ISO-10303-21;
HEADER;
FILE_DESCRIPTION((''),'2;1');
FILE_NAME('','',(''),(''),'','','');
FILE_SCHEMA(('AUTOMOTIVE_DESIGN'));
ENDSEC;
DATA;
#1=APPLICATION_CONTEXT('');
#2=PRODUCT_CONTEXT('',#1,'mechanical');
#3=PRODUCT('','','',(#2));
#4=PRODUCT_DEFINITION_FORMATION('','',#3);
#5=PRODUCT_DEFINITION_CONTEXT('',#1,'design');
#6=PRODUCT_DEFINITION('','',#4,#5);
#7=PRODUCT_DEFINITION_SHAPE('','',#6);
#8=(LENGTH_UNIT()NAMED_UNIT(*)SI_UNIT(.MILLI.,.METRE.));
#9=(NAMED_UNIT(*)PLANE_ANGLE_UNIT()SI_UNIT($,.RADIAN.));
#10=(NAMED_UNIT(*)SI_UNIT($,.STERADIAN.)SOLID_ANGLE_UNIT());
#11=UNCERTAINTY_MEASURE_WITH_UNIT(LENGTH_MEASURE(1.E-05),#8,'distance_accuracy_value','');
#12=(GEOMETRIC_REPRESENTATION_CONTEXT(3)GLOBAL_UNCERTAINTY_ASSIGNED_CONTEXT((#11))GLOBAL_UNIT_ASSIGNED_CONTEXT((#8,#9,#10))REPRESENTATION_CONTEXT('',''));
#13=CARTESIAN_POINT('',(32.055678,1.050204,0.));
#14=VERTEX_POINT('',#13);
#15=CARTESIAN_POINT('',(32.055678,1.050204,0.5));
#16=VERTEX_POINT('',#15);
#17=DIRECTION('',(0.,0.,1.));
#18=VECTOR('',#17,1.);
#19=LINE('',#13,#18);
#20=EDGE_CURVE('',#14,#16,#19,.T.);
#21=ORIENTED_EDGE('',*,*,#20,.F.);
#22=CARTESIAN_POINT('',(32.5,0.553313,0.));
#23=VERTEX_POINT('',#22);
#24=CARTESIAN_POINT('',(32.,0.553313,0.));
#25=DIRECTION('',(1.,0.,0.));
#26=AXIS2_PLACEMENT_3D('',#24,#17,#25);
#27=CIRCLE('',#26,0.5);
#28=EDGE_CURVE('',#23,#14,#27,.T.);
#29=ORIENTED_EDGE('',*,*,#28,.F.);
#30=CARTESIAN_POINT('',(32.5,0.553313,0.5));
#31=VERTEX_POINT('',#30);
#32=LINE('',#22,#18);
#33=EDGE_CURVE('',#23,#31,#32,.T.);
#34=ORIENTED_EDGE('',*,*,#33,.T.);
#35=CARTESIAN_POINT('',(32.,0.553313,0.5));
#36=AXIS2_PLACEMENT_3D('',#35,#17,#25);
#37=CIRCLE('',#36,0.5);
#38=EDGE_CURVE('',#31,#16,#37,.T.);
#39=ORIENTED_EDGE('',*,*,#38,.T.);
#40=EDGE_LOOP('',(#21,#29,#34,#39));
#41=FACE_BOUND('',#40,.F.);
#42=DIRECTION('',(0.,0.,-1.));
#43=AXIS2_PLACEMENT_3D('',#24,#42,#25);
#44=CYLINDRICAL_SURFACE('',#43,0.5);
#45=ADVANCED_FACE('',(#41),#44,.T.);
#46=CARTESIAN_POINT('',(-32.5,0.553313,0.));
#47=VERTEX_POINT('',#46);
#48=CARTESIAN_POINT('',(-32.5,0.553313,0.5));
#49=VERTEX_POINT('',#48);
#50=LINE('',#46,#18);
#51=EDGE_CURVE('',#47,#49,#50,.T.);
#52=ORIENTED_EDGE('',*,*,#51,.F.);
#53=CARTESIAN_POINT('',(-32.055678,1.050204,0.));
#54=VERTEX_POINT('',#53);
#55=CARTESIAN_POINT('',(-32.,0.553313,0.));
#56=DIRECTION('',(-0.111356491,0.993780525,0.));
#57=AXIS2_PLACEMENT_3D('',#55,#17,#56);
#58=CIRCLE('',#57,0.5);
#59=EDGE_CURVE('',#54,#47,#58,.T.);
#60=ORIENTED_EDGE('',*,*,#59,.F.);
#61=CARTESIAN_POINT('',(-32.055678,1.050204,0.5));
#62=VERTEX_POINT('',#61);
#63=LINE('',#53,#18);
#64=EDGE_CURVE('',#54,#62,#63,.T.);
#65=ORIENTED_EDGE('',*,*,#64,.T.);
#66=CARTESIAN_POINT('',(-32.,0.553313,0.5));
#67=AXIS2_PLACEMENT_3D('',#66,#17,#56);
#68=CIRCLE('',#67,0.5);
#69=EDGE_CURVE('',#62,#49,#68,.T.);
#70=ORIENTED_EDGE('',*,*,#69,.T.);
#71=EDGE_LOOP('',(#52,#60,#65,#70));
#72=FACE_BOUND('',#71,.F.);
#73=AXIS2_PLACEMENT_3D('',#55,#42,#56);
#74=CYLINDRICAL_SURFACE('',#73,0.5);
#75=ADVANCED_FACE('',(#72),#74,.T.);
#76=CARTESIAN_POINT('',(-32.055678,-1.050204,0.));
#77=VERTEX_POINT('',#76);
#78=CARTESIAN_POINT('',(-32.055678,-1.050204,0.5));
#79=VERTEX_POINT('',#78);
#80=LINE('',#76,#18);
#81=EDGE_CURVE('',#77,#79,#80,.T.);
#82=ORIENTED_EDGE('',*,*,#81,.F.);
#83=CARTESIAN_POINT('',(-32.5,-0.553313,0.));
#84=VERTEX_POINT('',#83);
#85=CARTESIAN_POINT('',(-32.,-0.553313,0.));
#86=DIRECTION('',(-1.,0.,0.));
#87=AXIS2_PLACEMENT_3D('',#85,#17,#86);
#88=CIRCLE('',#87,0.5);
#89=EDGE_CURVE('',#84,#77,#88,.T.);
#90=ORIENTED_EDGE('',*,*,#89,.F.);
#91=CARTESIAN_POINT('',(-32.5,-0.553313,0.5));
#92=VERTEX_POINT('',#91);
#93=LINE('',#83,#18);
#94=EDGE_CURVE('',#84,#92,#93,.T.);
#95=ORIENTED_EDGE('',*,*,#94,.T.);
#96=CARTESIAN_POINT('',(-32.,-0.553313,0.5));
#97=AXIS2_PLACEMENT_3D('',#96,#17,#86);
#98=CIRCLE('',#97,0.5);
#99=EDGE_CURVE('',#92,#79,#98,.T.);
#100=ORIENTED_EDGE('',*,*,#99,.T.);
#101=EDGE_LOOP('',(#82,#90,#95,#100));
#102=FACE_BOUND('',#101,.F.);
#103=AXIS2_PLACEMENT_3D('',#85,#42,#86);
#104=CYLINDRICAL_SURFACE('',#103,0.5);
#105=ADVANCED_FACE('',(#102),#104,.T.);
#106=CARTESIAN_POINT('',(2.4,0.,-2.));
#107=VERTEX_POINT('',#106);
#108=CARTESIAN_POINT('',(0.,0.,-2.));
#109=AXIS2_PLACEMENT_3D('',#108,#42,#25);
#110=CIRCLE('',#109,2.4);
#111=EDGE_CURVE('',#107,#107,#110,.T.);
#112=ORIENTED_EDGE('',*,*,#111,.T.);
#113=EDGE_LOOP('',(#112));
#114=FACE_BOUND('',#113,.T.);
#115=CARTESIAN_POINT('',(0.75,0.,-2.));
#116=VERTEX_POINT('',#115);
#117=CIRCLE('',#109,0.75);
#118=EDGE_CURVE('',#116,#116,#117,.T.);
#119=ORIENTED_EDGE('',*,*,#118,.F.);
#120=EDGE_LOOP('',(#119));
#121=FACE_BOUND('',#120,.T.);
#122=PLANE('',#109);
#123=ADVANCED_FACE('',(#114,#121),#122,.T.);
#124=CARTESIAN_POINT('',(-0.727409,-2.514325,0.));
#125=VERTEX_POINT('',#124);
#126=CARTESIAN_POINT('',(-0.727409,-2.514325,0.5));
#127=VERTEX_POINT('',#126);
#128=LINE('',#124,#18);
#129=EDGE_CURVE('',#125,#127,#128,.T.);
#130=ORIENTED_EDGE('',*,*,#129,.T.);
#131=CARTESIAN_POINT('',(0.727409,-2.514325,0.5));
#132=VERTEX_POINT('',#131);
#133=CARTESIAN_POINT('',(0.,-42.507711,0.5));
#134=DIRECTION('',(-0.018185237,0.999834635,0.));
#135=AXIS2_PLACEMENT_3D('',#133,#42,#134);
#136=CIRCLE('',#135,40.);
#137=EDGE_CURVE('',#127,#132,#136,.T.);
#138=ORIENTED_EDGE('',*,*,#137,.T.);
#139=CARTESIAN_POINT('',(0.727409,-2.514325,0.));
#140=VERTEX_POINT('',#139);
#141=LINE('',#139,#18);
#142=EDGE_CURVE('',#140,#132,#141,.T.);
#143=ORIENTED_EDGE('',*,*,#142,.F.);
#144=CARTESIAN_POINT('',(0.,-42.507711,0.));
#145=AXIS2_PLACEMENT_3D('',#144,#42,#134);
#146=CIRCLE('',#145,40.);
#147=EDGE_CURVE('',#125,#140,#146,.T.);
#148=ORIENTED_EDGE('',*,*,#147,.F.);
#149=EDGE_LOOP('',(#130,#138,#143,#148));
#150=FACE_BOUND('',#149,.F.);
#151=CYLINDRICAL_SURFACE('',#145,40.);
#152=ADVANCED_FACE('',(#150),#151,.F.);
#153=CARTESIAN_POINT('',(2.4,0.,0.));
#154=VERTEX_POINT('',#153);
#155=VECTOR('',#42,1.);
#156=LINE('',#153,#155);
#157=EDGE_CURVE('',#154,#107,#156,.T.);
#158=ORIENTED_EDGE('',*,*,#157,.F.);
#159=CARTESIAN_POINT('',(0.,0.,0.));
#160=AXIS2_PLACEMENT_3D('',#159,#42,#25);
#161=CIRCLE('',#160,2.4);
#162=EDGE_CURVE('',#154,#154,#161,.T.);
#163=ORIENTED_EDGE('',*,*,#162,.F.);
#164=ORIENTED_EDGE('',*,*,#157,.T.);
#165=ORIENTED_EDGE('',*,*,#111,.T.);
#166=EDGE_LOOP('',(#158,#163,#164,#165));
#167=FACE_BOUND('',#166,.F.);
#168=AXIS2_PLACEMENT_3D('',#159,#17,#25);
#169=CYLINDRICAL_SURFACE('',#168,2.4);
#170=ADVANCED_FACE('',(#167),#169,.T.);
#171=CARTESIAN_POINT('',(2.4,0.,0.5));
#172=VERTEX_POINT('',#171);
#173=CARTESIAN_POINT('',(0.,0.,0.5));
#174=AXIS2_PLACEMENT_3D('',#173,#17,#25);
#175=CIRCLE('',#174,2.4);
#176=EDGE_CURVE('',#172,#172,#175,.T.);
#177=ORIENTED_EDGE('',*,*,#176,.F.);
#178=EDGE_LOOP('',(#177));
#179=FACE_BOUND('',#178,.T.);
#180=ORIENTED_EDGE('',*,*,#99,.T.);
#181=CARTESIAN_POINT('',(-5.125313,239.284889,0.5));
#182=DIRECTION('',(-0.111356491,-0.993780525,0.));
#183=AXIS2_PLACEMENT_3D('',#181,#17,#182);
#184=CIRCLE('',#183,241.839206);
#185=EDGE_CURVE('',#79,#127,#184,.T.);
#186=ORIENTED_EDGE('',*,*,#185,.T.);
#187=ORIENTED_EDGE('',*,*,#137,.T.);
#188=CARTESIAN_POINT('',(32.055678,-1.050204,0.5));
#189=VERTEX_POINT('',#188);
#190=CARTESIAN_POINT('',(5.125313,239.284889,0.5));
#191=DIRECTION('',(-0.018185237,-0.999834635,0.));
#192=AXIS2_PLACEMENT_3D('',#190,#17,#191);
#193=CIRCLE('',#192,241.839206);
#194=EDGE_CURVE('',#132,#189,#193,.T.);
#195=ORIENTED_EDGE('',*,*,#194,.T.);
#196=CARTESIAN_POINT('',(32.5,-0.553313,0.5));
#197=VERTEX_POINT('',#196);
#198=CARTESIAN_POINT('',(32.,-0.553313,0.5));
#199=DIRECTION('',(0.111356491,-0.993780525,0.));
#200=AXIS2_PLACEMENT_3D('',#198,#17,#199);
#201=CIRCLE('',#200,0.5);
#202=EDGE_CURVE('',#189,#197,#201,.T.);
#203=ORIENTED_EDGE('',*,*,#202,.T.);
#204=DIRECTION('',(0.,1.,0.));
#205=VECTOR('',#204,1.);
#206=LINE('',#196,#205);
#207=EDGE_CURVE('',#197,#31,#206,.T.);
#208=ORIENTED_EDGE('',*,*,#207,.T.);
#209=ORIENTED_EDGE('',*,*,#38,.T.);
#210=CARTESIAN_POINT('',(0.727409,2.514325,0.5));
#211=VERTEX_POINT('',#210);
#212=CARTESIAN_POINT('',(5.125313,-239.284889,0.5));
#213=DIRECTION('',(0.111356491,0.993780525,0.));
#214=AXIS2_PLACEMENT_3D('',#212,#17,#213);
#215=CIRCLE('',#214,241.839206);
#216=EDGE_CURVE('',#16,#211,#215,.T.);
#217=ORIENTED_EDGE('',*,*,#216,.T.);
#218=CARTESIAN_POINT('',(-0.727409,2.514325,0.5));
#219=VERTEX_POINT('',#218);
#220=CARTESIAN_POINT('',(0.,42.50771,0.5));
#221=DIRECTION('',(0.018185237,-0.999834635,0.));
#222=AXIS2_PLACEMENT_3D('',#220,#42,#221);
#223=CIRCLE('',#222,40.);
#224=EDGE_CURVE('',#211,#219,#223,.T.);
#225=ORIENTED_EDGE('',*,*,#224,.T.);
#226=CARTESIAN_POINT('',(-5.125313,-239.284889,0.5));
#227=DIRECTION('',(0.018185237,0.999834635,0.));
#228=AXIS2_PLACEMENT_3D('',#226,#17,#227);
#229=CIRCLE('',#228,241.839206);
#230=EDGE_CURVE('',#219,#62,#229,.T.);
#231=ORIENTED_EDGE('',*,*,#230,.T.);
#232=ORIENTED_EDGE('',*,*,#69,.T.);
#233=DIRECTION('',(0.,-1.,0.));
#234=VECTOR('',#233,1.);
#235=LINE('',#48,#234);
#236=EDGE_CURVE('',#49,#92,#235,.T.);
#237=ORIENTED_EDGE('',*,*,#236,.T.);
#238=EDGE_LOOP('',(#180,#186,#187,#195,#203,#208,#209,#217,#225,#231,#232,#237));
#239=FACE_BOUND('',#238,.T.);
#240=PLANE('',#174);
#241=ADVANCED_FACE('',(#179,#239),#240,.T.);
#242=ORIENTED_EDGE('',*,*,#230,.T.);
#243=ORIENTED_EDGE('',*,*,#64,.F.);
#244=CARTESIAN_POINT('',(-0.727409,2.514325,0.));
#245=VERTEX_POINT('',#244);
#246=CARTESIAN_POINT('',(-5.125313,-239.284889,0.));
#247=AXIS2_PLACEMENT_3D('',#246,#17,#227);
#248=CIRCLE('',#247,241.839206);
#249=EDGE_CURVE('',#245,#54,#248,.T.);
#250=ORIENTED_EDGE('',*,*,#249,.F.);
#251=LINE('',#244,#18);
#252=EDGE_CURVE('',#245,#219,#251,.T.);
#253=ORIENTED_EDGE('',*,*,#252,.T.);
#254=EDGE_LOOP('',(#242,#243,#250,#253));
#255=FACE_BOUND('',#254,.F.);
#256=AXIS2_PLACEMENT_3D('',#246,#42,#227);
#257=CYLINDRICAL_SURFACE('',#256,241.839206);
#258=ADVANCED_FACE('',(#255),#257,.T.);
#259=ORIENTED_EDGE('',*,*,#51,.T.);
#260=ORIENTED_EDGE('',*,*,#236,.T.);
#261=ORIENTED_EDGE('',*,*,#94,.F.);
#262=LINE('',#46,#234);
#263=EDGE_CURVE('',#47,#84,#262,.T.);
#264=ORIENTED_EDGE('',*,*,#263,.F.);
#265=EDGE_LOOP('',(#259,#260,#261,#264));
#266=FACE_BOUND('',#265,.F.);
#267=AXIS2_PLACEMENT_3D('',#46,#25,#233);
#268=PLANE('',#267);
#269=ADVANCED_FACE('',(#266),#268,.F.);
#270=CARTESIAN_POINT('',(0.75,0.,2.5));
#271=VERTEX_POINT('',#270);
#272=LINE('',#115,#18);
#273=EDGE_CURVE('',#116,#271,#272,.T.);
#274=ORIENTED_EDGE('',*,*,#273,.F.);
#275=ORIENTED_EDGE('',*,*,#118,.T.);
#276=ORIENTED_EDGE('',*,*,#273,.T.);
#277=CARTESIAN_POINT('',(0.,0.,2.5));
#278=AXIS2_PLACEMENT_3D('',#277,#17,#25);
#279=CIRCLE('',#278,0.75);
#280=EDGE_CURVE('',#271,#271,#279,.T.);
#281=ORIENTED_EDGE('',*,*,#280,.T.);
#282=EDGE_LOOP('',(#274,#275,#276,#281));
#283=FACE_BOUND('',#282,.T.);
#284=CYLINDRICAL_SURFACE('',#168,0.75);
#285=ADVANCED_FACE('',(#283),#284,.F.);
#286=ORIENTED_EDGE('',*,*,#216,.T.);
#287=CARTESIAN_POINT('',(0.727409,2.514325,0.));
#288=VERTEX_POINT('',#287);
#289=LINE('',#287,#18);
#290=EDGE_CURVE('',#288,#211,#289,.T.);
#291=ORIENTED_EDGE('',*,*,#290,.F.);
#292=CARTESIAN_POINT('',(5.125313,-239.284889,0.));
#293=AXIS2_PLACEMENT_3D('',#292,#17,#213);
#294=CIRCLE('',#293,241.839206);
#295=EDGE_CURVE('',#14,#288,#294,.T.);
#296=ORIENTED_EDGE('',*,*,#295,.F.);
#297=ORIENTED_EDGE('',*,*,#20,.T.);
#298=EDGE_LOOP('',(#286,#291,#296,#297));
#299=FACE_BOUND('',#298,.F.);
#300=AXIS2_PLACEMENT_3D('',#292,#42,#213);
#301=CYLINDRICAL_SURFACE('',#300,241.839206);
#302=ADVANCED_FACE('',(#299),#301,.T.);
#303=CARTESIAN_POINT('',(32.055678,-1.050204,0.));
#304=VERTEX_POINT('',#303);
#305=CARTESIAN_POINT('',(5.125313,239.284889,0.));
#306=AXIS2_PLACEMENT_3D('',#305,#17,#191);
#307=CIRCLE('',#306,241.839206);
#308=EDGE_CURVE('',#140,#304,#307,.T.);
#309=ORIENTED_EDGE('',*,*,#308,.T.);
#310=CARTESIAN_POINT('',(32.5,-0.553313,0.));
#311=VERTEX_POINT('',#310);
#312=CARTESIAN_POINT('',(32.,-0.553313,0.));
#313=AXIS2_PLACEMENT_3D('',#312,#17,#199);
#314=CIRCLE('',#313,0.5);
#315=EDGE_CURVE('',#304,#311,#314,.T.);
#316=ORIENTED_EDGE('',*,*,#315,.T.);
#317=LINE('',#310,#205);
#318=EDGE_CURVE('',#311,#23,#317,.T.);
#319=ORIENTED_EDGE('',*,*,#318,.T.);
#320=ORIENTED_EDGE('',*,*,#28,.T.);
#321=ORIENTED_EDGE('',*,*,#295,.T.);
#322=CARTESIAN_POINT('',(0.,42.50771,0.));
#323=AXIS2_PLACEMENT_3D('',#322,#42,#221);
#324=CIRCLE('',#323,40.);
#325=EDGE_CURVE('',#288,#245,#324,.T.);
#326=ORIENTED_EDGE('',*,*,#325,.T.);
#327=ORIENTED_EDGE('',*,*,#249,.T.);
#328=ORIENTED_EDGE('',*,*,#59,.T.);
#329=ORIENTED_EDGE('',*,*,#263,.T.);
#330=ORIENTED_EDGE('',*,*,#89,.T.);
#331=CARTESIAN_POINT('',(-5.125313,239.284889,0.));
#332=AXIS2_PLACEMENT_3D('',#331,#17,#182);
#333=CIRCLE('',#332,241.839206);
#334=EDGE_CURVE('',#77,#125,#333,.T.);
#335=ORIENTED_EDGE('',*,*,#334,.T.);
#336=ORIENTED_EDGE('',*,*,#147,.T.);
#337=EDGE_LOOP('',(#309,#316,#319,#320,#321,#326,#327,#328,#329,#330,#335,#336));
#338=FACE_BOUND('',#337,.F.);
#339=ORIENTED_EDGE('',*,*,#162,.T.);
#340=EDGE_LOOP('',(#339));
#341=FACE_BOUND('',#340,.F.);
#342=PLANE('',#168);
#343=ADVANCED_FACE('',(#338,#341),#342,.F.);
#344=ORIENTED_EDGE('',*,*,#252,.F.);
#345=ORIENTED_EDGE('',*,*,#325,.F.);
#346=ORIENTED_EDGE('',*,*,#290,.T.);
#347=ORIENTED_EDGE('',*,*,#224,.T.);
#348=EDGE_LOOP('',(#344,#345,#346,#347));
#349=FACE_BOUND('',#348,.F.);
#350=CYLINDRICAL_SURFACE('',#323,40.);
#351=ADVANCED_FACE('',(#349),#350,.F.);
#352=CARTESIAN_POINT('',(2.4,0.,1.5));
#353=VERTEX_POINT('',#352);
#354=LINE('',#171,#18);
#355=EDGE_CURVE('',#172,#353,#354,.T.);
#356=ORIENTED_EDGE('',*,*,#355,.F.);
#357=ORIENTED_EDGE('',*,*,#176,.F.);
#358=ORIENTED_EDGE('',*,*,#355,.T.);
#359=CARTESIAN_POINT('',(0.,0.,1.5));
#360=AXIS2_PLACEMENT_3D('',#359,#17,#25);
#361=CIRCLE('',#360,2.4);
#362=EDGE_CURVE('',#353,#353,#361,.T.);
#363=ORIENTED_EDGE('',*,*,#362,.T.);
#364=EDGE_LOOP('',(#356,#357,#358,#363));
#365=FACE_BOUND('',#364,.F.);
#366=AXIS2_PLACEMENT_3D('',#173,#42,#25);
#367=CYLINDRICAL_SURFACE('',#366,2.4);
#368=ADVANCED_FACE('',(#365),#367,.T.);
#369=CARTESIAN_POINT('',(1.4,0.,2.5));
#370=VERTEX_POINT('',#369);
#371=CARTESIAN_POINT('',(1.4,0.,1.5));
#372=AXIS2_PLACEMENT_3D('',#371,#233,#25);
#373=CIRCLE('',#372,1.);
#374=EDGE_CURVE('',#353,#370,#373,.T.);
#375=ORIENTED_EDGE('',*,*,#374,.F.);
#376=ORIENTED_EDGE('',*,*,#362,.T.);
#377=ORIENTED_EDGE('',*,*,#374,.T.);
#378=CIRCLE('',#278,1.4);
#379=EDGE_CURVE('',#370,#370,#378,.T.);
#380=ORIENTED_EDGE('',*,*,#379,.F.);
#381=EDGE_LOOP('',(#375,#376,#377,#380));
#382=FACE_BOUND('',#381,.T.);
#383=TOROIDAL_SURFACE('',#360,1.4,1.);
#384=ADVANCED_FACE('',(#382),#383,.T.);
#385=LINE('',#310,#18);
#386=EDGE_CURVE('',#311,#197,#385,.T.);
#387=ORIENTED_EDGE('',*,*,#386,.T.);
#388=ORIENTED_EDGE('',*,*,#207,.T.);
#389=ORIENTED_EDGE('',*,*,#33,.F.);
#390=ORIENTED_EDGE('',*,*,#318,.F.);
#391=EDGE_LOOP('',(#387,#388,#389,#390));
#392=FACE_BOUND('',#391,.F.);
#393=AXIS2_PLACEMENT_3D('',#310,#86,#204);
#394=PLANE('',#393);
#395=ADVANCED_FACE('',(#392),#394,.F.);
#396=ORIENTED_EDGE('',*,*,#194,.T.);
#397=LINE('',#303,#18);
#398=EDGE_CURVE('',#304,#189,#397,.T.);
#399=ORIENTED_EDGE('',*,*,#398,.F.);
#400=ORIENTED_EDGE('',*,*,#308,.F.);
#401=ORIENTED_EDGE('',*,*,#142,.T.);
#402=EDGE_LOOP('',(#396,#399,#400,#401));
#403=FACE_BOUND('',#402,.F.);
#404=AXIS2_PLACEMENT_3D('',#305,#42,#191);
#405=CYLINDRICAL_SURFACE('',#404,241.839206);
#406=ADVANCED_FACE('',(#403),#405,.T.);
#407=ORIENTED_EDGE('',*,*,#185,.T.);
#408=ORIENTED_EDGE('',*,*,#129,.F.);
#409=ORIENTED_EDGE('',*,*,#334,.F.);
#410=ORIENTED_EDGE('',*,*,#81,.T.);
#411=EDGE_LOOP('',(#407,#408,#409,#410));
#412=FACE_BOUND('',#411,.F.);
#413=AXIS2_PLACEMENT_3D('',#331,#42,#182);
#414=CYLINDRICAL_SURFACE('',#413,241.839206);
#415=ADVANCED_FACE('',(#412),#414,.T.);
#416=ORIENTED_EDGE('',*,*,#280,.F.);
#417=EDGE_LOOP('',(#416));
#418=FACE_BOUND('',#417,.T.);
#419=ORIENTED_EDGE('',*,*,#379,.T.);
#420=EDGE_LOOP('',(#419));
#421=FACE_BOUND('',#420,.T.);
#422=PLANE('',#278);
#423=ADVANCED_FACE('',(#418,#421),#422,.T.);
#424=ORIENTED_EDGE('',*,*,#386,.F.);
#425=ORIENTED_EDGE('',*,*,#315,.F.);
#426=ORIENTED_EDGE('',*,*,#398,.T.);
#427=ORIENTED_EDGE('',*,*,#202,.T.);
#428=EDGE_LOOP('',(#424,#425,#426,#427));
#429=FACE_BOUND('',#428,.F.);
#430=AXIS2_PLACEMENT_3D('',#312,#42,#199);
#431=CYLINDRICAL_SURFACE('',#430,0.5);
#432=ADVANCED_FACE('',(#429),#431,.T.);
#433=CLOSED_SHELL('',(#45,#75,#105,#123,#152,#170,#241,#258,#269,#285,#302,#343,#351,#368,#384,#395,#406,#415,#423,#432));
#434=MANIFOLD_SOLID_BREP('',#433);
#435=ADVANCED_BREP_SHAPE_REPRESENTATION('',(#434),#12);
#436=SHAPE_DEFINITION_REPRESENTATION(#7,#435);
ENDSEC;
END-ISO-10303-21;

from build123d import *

# Parameters (mm, degrees)
F0_R     = 0.75
F1_DEPTH = 0.5
F2_R     = 2.4
F2_R_2   = 0.75
F3_DEPTH = 2
F4_R     = 1
F5_R     = 2.4
F5_R_2   = 0.75
F6_DEPTH = 2


with BuildPart() as f1:
    # F0 (on Top) → F1 (new body)
    with BuildSketch(Plane.XY):
        with BuildLine():
            ThreePointArc((-32.0556782457, 1.0502037309), (-32.3727191455, 0.8866007898), (-32.5, 0.5533134684))
            Line((-32.5, 0.5533134684), (-32.5, -0.5533134684))
            ThreePointArc((-32.5, -0.5533134684), (-32.3727191455, -0.8866007898), (-32.0556782457, -1.0502037309))
            ThreePointArc((-32.0556782457, -1.0502037309), (-16.4153028407, -2.2906426773), (-0.7274094873, -2.5143248665))
            ThreePointArc((-0.7274094873, -2.5143248665), (0, -2.5077102626), (0.7274094873, -2.5143248665))
            ThreePointArc((0.7274094873, -2.5143248665), (16.4153028407, -2.2906426773), (32.0556782457, -1.0502037309))
            ThreePointArc((32.0556782457, -1.0502037309), (32.3727191455, -0.8866007898), (32.5, -0.5533134684))
            Line((32.5, -0.5533134684), (32.5, 0.5533134684))
            ThreePointArc((32.5, 0.5533134684), (32.3727191455, 0.8866007898), (32.0556782457, 1.0502037309))
            ThreePointArc((32.0556782457, 1.0502037309), (16.4153028407, 2.2906426773), (0.7274094872, 2.5143248666))
            ThreePointArc((0.7274094872, 2.5143248666), (0, 2.5077102626), (-0.7274094872, 2.5143248666))
            ThreePointArc((-0.7274094872, 2.5143248666), (-16.4153028407, 2.2906426773), (-32.0556782457, 1.0502037309))
        make_face()
        Circle(F0_R, mode=Mode.SUBTRACT)
    extrude(amount=F1_DEPTH)

    # F2 (on face) → F3 (join)
    with BuildSketch(Plane.XY.offset(0.5)):
        Circle(F2_R)
        Circle(F2_R_2, mode=Mode.SUBTRACT)
    extrude(amount=F3_DEPTH)

    # F4
    f4_edges = [f1.edges().sort_by_distance(p)[0] for p in [
        (-2.4, 0, 2.5),
    ]]
    fillet(f4_edges, radius=F4_R)

    # F5 (on face) → F6 (join)
    with BuildSketch(Plane(origin=(0, 0, 0), x_dir=(1, 0, 0), z_dir=(0, 0, -1))):
        Circle(F5_R)
        Circle(F5_R_2, mode=Mode.SUBTRACT)
    extrude(amount=F6_DEPTH)


solid = f1.part
